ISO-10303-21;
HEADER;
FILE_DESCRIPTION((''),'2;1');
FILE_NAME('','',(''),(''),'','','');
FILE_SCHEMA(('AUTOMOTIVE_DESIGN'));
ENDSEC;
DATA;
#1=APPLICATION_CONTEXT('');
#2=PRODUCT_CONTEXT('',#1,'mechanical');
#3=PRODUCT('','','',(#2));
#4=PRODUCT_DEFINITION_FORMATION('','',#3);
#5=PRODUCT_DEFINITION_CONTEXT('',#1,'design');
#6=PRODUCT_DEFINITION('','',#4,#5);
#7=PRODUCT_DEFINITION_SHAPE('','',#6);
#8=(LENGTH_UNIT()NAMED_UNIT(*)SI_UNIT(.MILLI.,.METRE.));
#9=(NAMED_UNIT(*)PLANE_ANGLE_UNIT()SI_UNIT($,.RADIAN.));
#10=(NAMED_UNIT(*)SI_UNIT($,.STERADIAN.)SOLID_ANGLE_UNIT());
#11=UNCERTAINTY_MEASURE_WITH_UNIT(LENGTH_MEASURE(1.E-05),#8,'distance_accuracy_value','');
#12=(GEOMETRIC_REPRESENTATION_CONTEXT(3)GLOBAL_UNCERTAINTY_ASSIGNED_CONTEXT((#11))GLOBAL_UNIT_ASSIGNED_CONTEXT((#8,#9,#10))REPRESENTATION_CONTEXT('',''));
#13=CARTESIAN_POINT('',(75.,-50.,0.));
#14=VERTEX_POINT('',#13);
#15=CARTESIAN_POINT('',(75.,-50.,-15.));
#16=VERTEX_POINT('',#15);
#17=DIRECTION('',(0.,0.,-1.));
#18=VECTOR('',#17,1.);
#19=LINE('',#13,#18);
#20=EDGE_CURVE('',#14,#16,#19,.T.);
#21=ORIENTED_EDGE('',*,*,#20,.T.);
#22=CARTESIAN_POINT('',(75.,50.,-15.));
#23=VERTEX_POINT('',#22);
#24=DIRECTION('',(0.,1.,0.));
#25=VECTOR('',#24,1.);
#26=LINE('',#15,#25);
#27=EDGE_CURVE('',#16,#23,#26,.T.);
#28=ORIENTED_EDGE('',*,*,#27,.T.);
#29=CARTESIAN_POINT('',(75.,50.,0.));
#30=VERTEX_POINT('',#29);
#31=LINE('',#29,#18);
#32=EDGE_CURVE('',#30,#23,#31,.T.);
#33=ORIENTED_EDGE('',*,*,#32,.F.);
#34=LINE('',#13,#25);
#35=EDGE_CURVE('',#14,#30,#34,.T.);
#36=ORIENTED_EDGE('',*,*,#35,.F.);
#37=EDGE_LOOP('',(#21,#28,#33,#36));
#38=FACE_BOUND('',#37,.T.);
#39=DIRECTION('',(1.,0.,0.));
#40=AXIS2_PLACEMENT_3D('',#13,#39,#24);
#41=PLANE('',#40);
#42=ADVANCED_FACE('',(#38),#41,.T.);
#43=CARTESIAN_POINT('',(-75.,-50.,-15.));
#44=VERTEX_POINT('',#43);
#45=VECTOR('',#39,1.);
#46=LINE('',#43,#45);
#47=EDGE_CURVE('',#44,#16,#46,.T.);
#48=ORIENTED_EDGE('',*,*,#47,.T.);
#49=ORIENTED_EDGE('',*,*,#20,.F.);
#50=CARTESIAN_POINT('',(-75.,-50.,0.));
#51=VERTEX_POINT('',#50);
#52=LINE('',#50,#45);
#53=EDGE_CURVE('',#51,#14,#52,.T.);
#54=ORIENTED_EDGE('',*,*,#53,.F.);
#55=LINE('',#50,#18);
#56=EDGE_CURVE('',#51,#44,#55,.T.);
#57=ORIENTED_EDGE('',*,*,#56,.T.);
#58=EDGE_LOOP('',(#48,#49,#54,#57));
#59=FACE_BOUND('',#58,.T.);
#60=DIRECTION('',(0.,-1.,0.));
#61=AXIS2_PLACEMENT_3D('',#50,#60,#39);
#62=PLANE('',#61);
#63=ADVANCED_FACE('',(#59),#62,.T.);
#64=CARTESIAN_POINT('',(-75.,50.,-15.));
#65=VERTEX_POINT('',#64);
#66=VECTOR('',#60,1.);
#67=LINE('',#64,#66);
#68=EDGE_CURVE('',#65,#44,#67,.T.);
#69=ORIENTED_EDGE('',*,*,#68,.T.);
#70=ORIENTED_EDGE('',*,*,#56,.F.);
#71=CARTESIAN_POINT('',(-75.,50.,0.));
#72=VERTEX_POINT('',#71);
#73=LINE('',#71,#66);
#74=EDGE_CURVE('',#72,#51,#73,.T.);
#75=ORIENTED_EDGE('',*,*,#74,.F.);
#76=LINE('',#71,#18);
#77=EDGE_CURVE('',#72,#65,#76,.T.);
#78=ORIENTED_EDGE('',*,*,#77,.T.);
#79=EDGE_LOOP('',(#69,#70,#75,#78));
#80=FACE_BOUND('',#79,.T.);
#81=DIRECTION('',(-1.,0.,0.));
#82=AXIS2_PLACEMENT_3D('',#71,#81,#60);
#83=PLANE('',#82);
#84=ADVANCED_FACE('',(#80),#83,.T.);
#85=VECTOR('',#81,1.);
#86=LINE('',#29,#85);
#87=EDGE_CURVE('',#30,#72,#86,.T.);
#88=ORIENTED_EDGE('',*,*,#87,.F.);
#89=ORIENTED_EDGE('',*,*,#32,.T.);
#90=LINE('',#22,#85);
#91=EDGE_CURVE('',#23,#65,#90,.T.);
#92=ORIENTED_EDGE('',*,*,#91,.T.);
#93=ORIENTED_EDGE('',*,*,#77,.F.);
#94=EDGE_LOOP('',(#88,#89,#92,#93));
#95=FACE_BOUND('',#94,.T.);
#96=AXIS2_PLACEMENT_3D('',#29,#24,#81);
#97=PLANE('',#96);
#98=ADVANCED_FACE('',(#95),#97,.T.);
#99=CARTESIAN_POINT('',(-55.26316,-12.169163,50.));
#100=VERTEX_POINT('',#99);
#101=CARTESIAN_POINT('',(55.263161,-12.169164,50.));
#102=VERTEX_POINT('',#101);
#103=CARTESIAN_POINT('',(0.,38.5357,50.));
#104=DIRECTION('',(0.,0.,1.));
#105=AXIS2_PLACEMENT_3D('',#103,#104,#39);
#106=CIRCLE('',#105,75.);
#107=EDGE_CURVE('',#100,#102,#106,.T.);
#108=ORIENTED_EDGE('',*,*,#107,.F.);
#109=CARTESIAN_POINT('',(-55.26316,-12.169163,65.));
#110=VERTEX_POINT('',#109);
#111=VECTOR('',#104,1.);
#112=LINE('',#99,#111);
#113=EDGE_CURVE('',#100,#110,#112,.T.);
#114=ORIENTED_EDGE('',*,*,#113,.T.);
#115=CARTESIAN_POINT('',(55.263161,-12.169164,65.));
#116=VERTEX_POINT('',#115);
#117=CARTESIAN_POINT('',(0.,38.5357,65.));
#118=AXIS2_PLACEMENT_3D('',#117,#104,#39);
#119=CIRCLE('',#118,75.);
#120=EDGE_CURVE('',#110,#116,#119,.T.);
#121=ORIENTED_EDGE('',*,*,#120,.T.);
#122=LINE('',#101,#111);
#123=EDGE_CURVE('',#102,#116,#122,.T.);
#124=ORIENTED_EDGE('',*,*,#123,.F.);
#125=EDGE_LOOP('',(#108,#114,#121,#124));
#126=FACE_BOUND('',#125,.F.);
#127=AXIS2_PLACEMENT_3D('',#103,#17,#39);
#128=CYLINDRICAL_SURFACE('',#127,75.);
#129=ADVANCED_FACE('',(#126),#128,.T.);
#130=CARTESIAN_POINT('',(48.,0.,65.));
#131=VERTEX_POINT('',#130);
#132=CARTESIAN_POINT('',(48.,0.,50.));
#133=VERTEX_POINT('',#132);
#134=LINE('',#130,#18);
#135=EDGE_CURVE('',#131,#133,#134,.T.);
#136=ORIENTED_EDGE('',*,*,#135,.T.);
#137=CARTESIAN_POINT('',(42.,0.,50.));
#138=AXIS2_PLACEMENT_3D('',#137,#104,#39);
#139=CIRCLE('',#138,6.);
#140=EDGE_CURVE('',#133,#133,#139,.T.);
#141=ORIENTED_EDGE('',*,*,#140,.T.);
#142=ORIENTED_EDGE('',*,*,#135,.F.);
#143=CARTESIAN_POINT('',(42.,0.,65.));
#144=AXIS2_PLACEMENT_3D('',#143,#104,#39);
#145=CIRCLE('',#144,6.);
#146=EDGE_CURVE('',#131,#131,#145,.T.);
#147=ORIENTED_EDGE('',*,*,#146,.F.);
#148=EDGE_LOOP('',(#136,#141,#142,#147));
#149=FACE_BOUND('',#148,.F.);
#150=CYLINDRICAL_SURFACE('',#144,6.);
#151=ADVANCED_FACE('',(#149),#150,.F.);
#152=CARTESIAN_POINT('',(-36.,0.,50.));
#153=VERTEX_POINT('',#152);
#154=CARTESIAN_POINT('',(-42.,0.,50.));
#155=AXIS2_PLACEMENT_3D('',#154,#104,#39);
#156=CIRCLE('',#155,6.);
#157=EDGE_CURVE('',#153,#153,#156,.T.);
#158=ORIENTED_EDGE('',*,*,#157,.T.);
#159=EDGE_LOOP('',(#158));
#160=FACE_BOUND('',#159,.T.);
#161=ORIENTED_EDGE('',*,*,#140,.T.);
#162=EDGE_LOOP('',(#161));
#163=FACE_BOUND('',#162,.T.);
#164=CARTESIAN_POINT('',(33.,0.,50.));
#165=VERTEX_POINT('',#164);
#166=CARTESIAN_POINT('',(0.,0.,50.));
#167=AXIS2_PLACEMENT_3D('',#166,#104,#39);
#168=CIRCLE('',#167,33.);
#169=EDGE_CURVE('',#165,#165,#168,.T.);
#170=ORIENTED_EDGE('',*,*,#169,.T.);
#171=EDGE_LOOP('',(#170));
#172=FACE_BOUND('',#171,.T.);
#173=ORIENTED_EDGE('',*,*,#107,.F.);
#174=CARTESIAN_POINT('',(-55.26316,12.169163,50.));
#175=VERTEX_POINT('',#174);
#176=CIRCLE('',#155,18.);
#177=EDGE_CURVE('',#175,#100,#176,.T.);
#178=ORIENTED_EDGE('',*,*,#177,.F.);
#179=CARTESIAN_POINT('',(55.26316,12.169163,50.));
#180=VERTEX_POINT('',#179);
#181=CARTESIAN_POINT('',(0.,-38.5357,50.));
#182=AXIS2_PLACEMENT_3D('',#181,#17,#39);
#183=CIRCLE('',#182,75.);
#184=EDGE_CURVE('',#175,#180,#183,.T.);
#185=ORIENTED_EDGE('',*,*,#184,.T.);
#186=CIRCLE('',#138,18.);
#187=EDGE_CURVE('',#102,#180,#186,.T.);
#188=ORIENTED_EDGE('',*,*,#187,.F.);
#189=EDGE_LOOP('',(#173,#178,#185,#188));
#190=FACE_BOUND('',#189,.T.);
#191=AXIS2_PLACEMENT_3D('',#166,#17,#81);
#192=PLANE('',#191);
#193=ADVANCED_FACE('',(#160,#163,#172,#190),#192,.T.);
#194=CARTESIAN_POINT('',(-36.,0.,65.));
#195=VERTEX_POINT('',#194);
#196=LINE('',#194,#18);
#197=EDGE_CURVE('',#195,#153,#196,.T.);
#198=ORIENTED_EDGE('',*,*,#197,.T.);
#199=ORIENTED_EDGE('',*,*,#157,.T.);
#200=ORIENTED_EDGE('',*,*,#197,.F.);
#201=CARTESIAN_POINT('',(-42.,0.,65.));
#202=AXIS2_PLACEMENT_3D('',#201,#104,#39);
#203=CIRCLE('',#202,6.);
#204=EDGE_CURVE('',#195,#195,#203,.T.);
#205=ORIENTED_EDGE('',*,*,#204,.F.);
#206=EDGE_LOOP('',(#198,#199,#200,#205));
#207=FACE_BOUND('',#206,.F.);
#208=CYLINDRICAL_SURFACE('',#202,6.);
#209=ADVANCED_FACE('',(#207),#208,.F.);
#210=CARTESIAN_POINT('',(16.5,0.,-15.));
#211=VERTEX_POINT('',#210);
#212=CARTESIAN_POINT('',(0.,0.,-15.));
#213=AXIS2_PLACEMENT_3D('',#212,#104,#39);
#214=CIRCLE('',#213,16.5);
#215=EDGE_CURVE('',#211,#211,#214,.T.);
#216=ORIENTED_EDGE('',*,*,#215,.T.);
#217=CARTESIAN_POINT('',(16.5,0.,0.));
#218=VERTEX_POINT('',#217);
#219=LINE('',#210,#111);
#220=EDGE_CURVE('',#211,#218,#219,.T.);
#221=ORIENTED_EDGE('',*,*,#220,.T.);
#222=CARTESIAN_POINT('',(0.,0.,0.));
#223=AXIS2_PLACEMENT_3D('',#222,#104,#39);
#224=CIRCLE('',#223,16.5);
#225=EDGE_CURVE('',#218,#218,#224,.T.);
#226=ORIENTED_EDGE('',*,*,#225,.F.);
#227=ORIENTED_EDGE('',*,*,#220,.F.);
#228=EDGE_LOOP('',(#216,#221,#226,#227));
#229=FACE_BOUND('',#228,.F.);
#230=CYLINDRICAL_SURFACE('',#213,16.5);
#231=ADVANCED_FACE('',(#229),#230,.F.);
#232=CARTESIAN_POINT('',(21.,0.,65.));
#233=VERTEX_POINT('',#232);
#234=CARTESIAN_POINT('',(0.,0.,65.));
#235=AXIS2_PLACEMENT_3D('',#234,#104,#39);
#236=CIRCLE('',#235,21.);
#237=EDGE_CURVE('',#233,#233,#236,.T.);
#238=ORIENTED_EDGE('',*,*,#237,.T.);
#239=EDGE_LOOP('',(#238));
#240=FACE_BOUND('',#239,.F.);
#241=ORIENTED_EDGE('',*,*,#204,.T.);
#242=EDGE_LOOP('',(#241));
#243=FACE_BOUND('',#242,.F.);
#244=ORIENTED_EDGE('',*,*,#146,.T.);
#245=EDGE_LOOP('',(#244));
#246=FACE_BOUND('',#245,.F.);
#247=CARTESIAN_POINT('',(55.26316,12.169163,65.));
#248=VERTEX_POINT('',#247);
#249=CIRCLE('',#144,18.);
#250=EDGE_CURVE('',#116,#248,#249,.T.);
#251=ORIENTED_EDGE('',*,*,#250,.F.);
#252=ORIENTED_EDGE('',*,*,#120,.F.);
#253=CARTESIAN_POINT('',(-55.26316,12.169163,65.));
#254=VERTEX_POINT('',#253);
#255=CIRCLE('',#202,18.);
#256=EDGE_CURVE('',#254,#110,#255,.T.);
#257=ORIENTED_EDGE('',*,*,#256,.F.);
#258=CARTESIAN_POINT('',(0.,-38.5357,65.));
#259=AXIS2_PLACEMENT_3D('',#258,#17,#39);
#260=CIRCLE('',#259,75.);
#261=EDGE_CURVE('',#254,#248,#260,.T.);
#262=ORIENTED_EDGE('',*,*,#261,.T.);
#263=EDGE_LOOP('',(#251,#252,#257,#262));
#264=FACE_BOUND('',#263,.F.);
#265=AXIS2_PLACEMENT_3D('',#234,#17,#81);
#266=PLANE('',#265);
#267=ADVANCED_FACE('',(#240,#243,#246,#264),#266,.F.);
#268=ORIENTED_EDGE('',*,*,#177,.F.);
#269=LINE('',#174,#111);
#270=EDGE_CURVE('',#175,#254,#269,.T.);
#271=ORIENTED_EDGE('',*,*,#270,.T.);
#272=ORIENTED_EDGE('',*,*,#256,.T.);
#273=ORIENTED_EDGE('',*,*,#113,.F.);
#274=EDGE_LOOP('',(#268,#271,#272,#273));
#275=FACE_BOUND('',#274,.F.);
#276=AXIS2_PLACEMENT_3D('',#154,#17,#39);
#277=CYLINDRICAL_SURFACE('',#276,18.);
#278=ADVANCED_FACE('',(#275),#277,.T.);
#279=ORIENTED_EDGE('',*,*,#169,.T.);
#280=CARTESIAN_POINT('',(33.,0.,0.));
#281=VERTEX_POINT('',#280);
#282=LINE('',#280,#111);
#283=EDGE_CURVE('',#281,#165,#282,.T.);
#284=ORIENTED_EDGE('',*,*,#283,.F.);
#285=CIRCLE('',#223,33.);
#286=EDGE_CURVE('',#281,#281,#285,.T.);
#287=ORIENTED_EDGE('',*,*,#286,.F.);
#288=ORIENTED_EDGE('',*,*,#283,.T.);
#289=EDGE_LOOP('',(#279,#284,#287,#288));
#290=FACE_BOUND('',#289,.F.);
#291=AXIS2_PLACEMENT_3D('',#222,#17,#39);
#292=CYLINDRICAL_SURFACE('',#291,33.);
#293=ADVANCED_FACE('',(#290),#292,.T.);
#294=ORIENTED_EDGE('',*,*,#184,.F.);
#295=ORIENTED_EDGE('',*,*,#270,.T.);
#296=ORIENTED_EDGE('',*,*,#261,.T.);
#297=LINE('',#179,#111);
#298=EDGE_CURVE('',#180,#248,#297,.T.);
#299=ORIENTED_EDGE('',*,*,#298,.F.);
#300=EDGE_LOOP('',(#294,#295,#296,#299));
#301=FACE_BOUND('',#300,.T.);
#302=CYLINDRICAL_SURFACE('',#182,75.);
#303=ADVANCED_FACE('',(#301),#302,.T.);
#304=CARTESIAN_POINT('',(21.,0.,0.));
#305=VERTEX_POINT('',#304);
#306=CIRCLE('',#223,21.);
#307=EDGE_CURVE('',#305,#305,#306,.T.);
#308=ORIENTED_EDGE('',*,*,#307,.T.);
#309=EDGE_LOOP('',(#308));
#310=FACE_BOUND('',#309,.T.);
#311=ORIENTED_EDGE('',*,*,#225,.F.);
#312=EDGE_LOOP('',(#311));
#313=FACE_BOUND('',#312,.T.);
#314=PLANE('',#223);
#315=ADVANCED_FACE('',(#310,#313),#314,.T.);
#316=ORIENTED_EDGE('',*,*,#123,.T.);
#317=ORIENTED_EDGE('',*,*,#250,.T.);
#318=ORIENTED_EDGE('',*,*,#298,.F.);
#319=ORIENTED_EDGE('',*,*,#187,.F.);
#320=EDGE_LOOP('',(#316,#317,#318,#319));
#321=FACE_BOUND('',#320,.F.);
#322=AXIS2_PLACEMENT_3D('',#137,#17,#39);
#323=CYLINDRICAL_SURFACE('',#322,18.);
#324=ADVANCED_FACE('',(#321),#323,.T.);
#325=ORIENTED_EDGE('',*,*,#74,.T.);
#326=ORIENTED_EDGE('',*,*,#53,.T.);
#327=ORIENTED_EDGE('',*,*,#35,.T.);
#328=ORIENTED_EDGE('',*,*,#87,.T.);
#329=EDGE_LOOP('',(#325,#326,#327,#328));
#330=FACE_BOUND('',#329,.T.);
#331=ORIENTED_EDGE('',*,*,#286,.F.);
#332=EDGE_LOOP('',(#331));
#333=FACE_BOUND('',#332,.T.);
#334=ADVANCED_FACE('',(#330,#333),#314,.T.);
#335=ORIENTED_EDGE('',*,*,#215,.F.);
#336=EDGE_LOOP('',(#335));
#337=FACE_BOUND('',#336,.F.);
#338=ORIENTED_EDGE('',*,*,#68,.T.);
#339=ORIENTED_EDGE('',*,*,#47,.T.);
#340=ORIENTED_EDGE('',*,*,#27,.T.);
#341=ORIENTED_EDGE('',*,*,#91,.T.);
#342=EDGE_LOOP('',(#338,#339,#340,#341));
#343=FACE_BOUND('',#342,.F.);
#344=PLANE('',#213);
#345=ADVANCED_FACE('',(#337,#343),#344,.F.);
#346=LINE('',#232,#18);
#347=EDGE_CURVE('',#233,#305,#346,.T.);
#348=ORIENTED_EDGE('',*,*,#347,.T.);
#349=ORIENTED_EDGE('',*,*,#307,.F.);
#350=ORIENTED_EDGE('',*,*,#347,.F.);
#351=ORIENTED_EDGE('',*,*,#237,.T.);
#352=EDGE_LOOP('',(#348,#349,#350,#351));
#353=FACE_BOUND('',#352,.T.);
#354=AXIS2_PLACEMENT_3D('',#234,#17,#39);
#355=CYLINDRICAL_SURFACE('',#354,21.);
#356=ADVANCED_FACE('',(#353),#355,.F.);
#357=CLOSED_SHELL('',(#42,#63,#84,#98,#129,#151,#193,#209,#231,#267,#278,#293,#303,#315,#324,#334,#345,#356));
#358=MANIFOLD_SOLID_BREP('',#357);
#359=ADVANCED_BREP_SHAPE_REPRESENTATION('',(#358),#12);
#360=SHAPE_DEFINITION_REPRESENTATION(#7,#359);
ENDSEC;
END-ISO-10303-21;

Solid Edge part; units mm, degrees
sketch "Sketch1" plane through (0, 0, 0) normal (0, 0, 1) x (1, 0, 0)
  line L0 (75, -50) -> (75, 50)
  line L1 (75, 50) -> (-75, 50)
  line L2 (-75, 50) -> (-75, -50)
  line L3 (-75, -50) -> (75, -50)
extrude "Protrusion1" add sketch "Sketch1" against normal blind 15
sketch "Sketch2" plane through (0, 0, 0) normal (0, 0, 1) x (1, 0, 0)
  circle A0 centre (0, 0) radius 33
extrude "ExtrudedProtrusion_2" add sketch "Sketch2" along normal blind 50
sketch "Sketch3" plane through (0, 0, 50) normal (0, 0, 1) x (1, 0, 0)
  arc A0 (-55.2632, 12.1692) -> (55.2632, 12.1692) centre (0, -38.5357) cw
  arc A1 (55.2632, -12.1692) -> (55.2632, 12.1692) centre (42, 0) ccw
  arc A2 (-55.2632, -12.1692) -> (55.2632, -12.1692) centre (0, 38.5357) ccw
  arc A3 (-55.2632, 12.1692) -> (-55.2632, -12.1692) centre (-42, 0) ccw
extrude "ExtrudedProtrusion_3" add sketch "Sketch3" along normal blind 15
sketch "Sketch4" plane through (0, 0, 0) normal (0, -1, 0) x (1, 0, 0)
  line L0 (21, 65) -> (21, 0)
  line L1 (21, 0) -> (16.5, 0)
  line L2 (16.5, -15) -> (16.5, 0)
  line L3 (0, -15) -> (16.5, -15)
  line L4 (0, -15) -> (0, 65)
  line L5 (0, 65) -> (21, 65)
revolve "RevolvedCutout1" cut sketch "Sketch4" angle 360 about axis through (0, 0, -15) along (0, 0, 1)
sketch "Sketch5" plane through (0, 0, 65) normal (0, 0, 1) x (1, 0, 0)
  circle A0 centre (42, 0) radius 6
  circle A1 centre (-42, 0) radius 6
extrude "ExtrudedCutout_1" cut sketch "Sketch5" against normal blind 15
properties material "StCst10 GOST 1412-85"
